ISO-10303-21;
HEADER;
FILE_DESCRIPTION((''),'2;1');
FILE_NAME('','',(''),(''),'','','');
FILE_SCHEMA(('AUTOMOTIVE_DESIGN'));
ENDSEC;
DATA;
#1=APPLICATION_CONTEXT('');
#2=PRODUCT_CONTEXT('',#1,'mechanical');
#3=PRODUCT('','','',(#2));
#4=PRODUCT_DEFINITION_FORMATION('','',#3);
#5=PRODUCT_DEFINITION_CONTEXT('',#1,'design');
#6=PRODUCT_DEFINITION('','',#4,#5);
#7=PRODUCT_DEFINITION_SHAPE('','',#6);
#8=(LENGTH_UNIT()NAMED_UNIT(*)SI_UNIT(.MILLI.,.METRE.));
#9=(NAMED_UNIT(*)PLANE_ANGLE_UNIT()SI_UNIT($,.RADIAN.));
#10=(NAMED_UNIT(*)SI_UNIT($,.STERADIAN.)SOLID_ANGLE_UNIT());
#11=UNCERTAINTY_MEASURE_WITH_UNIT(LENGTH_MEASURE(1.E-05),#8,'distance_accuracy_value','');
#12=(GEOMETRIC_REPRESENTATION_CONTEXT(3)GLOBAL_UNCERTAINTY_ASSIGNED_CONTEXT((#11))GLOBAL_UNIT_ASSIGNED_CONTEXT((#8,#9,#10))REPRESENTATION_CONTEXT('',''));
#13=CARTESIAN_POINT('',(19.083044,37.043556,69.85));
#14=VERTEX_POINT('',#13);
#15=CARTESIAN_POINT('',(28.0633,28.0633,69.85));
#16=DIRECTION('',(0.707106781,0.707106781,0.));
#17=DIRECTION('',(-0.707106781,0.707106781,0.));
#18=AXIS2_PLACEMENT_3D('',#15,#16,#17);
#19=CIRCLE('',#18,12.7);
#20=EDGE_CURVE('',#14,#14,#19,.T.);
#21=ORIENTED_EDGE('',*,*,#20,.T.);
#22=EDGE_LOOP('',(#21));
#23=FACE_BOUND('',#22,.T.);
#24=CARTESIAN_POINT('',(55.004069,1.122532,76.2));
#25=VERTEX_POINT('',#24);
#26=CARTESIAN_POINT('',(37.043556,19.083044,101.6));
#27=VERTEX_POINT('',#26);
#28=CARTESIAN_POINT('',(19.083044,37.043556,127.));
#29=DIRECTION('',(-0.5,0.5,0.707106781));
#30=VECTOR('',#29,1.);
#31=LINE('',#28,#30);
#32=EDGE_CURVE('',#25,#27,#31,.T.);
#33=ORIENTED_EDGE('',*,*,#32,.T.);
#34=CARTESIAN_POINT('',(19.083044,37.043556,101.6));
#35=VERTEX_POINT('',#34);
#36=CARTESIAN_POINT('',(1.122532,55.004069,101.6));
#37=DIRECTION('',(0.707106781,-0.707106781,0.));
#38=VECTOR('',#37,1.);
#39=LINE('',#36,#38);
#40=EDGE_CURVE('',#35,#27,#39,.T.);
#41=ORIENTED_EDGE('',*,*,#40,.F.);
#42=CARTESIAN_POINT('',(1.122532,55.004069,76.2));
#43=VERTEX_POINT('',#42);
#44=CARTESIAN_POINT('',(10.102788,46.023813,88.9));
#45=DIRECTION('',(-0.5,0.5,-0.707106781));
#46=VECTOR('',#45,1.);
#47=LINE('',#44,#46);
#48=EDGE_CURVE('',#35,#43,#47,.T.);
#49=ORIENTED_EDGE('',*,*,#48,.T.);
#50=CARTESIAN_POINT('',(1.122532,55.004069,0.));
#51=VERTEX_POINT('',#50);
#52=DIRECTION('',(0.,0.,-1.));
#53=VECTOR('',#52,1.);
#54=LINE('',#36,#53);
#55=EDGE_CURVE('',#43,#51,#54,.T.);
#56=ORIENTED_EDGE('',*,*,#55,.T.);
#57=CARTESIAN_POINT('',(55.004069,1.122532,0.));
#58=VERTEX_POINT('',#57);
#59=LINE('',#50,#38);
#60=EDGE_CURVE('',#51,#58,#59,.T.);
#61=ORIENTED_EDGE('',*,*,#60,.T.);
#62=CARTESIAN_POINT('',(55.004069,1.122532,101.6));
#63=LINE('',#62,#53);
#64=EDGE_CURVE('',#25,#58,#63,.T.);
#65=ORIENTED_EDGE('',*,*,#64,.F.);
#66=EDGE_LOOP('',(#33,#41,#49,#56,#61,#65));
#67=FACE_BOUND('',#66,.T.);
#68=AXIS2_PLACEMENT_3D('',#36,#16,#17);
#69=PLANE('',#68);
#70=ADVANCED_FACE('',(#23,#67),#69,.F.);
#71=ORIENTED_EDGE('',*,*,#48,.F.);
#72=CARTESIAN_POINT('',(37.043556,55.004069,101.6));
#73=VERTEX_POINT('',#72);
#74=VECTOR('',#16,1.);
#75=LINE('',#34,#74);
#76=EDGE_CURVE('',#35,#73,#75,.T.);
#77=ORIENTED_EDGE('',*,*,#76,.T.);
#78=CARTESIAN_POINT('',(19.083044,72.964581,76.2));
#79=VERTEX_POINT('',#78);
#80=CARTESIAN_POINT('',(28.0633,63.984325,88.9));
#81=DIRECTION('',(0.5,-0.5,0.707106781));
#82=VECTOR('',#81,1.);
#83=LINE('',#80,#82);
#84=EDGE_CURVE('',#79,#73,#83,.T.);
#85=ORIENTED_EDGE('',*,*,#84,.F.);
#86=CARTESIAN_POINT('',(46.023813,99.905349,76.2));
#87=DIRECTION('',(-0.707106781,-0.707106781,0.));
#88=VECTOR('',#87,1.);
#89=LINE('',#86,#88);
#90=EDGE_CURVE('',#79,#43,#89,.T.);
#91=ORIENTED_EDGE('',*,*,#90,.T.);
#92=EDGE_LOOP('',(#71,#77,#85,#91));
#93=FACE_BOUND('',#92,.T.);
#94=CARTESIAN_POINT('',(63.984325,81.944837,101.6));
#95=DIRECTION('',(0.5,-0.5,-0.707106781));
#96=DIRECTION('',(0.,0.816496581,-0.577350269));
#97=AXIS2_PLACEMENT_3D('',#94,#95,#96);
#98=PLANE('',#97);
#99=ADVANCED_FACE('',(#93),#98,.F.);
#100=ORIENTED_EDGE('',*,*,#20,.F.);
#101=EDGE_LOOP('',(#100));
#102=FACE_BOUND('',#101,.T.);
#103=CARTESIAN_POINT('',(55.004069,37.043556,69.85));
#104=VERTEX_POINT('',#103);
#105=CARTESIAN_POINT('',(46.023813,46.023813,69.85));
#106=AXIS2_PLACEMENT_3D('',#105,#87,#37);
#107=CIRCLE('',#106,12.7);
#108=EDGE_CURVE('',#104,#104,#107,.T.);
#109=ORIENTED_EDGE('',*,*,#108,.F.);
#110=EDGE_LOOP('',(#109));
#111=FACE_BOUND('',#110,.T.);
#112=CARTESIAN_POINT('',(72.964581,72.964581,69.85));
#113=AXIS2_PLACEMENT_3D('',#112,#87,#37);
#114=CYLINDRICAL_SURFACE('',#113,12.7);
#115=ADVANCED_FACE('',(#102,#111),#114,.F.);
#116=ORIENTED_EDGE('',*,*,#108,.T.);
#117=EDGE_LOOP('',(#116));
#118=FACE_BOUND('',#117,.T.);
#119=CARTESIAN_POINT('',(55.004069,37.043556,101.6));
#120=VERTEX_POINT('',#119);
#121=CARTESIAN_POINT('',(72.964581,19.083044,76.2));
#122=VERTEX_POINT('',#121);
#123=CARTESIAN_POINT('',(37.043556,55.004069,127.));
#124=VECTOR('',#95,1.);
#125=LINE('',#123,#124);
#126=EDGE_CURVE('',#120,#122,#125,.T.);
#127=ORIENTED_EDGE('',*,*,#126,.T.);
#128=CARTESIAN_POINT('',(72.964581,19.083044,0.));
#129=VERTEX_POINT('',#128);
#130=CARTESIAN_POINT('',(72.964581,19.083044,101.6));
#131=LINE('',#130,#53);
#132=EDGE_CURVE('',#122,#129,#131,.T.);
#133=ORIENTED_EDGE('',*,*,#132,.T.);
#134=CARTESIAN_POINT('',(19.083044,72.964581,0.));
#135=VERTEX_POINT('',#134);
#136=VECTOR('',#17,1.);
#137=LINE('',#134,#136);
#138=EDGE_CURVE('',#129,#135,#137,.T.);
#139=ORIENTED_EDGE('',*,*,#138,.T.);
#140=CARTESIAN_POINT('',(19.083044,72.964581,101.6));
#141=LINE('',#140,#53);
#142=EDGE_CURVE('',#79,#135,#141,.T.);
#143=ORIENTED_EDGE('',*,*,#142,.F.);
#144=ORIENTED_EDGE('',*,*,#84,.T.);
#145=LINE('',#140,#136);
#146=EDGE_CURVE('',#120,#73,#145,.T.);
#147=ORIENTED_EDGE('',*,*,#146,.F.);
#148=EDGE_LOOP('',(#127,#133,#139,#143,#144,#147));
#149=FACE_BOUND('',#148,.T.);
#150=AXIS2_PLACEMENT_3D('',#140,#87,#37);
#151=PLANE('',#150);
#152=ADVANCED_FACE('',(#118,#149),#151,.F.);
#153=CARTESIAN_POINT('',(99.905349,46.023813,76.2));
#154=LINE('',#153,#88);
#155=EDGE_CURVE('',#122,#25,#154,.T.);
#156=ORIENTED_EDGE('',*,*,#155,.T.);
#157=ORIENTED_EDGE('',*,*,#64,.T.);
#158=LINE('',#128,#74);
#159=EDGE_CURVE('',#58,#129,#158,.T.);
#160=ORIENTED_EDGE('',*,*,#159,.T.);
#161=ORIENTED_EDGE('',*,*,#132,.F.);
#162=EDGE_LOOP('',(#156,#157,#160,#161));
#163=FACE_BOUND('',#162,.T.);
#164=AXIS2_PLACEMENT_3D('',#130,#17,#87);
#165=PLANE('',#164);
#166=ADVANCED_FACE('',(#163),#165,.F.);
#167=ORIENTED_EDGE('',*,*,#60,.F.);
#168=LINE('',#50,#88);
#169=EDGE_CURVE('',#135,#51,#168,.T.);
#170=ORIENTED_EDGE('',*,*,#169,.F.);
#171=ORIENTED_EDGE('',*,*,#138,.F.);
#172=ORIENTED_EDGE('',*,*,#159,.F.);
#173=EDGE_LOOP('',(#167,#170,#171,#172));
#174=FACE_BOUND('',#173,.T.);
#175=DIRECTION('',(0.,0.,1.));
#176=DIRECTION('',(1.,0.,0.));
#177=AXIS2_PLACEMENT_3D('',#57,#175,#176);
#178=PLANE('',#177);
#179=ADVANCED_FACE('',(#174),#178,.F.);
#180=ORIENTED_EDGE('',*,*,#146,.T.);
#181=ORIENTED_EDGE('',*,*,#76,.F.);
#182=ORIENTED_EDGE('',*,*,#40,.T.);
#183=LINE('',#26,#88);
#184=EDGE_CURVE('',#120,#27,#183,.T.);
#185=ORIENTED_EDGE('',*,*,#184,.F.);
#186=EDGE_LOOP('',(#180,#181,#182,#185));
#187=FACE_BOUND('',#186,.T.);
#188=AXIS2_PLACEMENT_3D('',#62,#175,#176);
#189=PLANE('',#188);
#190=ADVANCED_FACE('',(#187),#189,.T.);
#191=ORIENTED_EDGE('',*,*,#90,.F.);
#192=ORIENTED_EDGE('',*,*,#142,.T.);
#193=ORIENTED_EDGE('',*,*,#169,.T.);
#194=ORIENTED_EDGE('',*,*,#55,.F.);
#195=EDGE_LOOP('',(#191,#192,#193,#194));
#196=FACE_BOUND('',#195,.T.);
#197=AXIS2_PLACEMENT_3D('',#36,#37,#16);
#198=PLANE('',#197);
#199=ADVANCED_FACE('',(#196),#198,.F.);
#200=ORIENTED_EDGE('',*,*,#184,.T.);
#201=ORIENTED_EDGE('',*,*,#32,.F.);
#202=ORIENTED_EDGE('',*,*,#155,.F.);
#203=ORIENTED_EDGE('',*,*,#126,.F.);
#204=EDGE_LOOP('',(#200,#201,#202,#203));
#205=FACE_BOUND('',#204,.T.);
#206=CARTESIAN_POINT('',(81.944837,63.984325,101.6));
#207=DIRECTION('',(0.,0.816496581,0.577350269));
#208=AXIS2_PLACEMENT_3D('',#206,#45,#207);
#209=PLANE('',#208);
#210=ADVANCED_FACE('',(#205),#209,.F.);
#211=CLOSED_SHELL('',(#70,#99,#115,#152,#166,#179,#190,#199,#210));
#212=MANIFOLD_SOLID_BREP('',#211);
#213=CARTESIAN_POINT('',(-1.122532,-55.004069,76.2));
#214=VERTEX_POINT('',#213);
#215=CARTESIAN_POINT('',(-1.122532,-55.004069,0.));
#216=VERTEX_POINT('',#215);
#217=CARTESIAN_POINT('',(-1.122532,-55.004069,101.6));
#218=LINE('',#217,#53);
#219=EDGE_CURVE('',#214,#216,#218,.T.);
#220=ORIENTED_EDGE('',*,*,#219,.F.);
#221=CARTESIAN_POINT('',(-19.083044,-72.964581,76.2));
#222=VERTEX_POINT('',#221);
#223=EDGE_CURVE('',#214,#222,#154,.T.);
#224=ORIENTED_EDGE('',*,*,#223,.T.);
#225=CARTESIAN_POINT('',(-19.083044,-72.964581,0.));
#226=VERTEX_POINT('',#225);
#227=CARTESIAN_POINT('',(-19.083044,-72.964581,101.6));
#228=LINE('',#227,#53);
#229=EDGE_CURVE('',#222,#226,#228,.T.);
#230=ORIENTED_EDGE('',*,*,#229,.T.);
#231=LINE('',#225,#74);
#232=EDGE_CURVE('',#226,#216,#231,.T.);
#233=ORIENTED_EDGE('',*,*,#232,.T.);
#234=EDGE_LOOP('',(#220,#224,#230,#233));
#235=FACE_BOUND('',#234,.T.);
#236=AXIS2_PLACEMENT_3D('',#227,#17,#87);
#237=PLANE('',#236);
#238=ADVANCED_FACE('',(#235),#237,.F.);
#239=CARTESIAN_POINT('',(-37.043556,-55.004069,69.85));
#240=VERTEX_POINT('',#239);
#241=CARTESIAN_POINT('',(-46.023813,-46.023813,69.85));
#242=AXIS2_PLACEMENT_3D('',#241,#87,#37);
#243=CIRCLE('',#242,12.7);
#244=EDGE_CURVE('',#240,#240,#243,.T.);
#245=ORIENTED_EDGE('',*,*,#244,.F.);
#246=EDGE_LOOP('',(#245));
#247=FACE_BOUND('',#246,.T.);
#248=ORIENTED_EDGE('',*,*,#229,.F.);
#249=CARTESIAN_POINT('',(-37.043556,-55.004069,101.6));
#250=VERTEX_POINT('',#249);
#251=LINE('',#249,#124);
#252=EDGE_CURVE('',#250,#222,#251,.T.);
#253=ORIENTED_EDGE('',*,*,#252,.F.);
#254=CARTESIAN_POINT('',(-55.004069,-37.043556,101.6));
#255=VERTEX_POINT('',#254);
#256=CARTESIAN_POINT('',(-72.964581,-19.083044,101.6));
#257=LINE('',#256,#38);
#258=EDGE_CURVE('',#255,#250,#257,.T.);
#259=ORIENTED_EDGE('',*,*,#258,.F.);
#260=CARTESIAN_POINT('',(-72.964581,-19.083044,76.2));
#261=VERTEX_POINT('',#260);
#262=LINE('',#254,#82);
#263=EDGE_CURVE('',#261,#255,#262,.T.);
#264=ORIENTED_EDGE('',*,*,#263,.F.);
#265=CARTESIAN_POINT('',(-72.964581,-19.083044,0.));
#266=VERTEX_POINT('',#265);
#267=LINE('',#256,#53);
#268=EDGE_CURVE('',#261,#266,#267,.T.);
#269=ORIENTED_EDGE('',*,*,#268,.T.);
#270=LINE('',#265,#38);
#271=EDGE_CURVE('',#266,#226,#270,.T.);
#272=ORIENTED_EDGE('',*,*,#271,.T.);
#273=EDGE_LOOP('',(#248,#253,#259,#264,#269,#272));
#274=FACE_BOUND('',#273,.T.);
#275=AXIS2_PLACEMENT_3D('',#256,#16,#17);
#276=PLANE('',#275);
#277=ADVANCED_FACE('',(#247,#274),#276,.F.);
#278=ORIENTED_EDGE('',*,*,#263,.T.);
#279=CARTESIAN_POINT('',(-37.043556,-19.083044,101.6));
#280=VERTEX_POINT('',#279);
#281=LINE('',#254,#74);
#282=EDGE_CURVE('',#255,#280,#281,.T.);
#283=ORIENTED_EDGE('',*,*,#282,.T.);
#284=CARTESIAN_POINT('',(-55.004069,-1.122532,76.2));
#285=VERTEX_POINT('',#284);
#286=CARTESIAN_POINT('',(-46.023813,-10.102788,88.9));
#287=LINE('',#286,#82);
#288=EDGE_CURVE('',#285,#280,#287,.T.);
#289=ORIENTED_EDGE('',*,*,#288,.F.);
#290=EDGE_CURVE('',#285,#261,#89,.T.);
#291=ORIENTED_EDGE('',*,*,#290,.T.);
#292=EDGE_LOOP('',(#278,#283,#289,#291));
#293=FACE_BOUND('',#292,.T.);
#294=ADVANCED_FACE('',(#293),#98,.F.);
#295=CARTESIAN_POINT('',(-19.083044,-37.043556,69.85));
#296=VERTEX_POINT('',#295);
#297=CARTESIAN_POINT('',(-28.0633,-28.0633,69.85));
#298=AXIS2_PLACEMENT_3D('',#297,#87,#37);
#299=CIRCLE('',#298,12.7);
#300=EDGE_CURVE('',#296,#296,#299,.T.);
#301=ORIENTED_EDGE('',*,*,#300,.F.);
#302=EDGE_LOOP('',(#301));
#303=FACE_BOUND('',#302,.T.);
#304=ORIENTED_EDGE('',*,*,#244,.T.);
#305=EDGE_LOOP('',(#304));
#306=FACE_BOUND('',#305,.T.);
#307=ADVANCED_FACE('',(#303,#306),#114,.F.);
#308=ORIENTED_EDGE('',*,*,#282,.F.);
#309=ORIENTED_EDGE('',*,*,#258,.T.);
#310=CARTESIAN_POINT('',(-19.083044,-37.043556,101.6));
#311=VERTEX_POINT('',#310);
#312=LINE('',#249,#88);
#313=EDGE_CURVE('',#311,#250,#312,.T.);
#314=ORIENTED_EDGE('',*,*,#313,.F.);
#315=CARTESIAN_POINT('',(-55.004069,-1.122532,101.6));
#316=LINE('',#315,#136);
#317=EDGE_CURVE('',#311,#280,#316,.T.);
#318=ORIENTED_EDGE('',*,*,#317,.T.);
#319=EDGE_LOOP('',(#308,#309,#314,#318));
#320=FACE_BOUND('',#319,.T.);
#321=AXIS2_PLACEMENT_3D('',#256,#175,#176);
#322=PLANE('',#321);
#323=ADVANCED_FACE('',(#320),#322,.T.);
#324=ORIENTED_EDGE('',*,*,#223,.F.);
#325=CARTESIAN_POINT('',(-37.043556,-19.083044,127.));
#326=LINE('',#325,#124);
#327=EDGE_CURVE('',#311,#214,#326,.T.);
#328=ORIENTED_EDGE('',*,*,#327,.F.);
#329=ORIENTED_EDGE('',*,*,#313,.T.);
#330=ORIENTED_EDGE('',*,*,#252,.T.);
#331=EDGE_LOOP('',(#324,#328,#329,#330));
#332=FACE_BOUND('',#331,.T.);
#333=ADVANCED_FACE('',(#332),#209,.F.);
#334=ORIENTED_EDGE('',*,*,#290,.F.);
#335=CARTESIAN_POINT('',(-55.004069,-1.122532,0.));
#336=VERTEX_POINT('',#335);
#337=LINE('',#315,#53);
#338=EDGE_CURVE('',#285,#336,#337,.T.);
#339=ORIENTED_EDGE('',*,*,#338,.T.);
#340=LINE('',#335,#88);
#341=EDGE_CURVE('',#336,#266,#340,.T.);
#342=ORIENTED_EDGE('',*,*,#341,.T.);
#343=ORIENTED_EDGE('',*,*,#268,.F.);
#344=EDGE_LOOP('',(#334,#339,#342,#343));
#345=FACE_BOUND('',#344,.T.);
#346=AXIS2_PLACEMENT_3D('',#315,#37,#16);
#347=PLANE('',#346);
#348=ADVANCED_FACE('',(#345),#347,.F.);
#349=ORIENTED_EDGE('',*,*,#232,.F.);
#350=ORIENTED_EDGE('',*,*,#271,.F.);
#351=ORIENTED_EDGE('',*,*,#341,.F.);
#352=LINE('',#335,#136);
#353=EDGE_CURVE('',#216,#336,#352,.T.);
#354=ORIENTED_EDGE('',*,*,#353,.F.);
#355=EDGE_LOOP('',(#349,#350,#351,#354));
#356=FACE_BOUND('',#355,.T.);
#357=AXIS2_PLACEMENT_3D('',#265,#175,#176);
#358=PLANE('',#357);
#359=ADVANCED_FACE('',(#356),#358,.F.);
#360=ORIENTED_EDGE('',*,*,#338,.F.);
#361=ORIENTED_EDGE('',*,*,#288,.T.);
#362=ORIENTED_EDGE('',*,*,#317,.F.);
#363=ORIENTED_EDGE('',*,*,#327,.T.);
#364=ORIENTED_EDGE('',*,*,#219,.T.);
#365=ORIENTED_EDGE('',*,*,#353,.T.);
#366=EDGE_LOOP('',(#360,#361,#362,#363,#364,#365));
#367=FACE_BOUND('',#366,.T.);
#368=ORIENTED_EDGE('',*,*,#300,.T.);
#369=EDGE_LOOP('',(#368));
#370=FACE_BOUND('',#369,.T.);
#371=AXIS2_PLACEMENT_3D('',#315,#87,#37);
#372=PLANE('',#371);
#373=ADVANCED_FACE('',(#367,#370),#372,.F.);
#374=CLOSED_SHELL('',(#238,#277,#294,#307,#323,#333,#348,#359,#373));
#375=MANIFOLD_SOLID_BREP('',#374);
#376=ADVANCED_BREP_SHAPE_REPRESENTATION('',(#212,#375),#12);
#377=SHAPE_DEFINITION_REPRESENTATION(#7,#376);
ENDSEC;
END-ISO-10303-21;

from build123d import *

# Parameters (mm, degrees)
EXTRUDE1_DEPTH     = 101.6
EXTRUDE1_2_DEPTH   = 101.6
SKETCH2_R          = 12.7
CUT_EXTRUDE1_DEPTH = 197.56814499


with BuildPart() as part:
    # Sketch1 → Extrude1 (new body)
    with BuildSketch(Plane.XY):
        Polygon((-55.004068742, -1.122532015), (-1.122532015, -55.004068742), (-19.083044257, -72.964580984), (-72.964580984, -19.083044257), align=None)
    extrude(amount=EXTRUDE1_DEPTH)


with BuildPart() as body_2:
    # Sketch1 → Extrude1 2 (new body)
    with BuildSketch(Plane.XY):
        Polygon((1.122532015, 55.004068742), (55.004068742, 1.122532015), (72.964580984, 19.083044257), (19.083044257, 72.964580984), align=None)
    extrude(amount=EXTRUDE1_2_DEPTH)


with BuildPart() as cut_extrude1_tool:
    # Sketch2 → Cut-Extrude1 (new, through all)
    with BuildSketch(Plane(origin=(-46.02381262, -46.02381262, 0), x_dir=(0.7071067811865462, -0.7071067811865488, 0), z_dir=(-0.7071067811865488, -0.7071067811865462, 0))):
        with Locations((0, 69.85)):
            Circle(SKETCH2_R)
        Polygon((-12.7, 101.6), (-38.1, 76.2), (-38.1, 101.6), align=None)
        Polygon((12.7, 101.6), (38.1, 76.2), (38.1, 101.6), align=None)
    extrude(amount=-CUT_EXTRUDE1_DEPTH)


with BuildPart() as part_1:
    add(part.part)

    # Cut-Extrude1: cut by cut_extrude1_tool
    add(cut_extrude1_tool.part, mode=Mode.SUBTRACT)


with BuildPart() as body_2_1:
    add(body_2.part)

    # Cut-Extrude1: cut by cut_extrude1_tool
    add(cut_extrude1_tool.part, mode=Mode.SUBTRACT)


solid = Compound([part_1.part, body_2_1.part])
